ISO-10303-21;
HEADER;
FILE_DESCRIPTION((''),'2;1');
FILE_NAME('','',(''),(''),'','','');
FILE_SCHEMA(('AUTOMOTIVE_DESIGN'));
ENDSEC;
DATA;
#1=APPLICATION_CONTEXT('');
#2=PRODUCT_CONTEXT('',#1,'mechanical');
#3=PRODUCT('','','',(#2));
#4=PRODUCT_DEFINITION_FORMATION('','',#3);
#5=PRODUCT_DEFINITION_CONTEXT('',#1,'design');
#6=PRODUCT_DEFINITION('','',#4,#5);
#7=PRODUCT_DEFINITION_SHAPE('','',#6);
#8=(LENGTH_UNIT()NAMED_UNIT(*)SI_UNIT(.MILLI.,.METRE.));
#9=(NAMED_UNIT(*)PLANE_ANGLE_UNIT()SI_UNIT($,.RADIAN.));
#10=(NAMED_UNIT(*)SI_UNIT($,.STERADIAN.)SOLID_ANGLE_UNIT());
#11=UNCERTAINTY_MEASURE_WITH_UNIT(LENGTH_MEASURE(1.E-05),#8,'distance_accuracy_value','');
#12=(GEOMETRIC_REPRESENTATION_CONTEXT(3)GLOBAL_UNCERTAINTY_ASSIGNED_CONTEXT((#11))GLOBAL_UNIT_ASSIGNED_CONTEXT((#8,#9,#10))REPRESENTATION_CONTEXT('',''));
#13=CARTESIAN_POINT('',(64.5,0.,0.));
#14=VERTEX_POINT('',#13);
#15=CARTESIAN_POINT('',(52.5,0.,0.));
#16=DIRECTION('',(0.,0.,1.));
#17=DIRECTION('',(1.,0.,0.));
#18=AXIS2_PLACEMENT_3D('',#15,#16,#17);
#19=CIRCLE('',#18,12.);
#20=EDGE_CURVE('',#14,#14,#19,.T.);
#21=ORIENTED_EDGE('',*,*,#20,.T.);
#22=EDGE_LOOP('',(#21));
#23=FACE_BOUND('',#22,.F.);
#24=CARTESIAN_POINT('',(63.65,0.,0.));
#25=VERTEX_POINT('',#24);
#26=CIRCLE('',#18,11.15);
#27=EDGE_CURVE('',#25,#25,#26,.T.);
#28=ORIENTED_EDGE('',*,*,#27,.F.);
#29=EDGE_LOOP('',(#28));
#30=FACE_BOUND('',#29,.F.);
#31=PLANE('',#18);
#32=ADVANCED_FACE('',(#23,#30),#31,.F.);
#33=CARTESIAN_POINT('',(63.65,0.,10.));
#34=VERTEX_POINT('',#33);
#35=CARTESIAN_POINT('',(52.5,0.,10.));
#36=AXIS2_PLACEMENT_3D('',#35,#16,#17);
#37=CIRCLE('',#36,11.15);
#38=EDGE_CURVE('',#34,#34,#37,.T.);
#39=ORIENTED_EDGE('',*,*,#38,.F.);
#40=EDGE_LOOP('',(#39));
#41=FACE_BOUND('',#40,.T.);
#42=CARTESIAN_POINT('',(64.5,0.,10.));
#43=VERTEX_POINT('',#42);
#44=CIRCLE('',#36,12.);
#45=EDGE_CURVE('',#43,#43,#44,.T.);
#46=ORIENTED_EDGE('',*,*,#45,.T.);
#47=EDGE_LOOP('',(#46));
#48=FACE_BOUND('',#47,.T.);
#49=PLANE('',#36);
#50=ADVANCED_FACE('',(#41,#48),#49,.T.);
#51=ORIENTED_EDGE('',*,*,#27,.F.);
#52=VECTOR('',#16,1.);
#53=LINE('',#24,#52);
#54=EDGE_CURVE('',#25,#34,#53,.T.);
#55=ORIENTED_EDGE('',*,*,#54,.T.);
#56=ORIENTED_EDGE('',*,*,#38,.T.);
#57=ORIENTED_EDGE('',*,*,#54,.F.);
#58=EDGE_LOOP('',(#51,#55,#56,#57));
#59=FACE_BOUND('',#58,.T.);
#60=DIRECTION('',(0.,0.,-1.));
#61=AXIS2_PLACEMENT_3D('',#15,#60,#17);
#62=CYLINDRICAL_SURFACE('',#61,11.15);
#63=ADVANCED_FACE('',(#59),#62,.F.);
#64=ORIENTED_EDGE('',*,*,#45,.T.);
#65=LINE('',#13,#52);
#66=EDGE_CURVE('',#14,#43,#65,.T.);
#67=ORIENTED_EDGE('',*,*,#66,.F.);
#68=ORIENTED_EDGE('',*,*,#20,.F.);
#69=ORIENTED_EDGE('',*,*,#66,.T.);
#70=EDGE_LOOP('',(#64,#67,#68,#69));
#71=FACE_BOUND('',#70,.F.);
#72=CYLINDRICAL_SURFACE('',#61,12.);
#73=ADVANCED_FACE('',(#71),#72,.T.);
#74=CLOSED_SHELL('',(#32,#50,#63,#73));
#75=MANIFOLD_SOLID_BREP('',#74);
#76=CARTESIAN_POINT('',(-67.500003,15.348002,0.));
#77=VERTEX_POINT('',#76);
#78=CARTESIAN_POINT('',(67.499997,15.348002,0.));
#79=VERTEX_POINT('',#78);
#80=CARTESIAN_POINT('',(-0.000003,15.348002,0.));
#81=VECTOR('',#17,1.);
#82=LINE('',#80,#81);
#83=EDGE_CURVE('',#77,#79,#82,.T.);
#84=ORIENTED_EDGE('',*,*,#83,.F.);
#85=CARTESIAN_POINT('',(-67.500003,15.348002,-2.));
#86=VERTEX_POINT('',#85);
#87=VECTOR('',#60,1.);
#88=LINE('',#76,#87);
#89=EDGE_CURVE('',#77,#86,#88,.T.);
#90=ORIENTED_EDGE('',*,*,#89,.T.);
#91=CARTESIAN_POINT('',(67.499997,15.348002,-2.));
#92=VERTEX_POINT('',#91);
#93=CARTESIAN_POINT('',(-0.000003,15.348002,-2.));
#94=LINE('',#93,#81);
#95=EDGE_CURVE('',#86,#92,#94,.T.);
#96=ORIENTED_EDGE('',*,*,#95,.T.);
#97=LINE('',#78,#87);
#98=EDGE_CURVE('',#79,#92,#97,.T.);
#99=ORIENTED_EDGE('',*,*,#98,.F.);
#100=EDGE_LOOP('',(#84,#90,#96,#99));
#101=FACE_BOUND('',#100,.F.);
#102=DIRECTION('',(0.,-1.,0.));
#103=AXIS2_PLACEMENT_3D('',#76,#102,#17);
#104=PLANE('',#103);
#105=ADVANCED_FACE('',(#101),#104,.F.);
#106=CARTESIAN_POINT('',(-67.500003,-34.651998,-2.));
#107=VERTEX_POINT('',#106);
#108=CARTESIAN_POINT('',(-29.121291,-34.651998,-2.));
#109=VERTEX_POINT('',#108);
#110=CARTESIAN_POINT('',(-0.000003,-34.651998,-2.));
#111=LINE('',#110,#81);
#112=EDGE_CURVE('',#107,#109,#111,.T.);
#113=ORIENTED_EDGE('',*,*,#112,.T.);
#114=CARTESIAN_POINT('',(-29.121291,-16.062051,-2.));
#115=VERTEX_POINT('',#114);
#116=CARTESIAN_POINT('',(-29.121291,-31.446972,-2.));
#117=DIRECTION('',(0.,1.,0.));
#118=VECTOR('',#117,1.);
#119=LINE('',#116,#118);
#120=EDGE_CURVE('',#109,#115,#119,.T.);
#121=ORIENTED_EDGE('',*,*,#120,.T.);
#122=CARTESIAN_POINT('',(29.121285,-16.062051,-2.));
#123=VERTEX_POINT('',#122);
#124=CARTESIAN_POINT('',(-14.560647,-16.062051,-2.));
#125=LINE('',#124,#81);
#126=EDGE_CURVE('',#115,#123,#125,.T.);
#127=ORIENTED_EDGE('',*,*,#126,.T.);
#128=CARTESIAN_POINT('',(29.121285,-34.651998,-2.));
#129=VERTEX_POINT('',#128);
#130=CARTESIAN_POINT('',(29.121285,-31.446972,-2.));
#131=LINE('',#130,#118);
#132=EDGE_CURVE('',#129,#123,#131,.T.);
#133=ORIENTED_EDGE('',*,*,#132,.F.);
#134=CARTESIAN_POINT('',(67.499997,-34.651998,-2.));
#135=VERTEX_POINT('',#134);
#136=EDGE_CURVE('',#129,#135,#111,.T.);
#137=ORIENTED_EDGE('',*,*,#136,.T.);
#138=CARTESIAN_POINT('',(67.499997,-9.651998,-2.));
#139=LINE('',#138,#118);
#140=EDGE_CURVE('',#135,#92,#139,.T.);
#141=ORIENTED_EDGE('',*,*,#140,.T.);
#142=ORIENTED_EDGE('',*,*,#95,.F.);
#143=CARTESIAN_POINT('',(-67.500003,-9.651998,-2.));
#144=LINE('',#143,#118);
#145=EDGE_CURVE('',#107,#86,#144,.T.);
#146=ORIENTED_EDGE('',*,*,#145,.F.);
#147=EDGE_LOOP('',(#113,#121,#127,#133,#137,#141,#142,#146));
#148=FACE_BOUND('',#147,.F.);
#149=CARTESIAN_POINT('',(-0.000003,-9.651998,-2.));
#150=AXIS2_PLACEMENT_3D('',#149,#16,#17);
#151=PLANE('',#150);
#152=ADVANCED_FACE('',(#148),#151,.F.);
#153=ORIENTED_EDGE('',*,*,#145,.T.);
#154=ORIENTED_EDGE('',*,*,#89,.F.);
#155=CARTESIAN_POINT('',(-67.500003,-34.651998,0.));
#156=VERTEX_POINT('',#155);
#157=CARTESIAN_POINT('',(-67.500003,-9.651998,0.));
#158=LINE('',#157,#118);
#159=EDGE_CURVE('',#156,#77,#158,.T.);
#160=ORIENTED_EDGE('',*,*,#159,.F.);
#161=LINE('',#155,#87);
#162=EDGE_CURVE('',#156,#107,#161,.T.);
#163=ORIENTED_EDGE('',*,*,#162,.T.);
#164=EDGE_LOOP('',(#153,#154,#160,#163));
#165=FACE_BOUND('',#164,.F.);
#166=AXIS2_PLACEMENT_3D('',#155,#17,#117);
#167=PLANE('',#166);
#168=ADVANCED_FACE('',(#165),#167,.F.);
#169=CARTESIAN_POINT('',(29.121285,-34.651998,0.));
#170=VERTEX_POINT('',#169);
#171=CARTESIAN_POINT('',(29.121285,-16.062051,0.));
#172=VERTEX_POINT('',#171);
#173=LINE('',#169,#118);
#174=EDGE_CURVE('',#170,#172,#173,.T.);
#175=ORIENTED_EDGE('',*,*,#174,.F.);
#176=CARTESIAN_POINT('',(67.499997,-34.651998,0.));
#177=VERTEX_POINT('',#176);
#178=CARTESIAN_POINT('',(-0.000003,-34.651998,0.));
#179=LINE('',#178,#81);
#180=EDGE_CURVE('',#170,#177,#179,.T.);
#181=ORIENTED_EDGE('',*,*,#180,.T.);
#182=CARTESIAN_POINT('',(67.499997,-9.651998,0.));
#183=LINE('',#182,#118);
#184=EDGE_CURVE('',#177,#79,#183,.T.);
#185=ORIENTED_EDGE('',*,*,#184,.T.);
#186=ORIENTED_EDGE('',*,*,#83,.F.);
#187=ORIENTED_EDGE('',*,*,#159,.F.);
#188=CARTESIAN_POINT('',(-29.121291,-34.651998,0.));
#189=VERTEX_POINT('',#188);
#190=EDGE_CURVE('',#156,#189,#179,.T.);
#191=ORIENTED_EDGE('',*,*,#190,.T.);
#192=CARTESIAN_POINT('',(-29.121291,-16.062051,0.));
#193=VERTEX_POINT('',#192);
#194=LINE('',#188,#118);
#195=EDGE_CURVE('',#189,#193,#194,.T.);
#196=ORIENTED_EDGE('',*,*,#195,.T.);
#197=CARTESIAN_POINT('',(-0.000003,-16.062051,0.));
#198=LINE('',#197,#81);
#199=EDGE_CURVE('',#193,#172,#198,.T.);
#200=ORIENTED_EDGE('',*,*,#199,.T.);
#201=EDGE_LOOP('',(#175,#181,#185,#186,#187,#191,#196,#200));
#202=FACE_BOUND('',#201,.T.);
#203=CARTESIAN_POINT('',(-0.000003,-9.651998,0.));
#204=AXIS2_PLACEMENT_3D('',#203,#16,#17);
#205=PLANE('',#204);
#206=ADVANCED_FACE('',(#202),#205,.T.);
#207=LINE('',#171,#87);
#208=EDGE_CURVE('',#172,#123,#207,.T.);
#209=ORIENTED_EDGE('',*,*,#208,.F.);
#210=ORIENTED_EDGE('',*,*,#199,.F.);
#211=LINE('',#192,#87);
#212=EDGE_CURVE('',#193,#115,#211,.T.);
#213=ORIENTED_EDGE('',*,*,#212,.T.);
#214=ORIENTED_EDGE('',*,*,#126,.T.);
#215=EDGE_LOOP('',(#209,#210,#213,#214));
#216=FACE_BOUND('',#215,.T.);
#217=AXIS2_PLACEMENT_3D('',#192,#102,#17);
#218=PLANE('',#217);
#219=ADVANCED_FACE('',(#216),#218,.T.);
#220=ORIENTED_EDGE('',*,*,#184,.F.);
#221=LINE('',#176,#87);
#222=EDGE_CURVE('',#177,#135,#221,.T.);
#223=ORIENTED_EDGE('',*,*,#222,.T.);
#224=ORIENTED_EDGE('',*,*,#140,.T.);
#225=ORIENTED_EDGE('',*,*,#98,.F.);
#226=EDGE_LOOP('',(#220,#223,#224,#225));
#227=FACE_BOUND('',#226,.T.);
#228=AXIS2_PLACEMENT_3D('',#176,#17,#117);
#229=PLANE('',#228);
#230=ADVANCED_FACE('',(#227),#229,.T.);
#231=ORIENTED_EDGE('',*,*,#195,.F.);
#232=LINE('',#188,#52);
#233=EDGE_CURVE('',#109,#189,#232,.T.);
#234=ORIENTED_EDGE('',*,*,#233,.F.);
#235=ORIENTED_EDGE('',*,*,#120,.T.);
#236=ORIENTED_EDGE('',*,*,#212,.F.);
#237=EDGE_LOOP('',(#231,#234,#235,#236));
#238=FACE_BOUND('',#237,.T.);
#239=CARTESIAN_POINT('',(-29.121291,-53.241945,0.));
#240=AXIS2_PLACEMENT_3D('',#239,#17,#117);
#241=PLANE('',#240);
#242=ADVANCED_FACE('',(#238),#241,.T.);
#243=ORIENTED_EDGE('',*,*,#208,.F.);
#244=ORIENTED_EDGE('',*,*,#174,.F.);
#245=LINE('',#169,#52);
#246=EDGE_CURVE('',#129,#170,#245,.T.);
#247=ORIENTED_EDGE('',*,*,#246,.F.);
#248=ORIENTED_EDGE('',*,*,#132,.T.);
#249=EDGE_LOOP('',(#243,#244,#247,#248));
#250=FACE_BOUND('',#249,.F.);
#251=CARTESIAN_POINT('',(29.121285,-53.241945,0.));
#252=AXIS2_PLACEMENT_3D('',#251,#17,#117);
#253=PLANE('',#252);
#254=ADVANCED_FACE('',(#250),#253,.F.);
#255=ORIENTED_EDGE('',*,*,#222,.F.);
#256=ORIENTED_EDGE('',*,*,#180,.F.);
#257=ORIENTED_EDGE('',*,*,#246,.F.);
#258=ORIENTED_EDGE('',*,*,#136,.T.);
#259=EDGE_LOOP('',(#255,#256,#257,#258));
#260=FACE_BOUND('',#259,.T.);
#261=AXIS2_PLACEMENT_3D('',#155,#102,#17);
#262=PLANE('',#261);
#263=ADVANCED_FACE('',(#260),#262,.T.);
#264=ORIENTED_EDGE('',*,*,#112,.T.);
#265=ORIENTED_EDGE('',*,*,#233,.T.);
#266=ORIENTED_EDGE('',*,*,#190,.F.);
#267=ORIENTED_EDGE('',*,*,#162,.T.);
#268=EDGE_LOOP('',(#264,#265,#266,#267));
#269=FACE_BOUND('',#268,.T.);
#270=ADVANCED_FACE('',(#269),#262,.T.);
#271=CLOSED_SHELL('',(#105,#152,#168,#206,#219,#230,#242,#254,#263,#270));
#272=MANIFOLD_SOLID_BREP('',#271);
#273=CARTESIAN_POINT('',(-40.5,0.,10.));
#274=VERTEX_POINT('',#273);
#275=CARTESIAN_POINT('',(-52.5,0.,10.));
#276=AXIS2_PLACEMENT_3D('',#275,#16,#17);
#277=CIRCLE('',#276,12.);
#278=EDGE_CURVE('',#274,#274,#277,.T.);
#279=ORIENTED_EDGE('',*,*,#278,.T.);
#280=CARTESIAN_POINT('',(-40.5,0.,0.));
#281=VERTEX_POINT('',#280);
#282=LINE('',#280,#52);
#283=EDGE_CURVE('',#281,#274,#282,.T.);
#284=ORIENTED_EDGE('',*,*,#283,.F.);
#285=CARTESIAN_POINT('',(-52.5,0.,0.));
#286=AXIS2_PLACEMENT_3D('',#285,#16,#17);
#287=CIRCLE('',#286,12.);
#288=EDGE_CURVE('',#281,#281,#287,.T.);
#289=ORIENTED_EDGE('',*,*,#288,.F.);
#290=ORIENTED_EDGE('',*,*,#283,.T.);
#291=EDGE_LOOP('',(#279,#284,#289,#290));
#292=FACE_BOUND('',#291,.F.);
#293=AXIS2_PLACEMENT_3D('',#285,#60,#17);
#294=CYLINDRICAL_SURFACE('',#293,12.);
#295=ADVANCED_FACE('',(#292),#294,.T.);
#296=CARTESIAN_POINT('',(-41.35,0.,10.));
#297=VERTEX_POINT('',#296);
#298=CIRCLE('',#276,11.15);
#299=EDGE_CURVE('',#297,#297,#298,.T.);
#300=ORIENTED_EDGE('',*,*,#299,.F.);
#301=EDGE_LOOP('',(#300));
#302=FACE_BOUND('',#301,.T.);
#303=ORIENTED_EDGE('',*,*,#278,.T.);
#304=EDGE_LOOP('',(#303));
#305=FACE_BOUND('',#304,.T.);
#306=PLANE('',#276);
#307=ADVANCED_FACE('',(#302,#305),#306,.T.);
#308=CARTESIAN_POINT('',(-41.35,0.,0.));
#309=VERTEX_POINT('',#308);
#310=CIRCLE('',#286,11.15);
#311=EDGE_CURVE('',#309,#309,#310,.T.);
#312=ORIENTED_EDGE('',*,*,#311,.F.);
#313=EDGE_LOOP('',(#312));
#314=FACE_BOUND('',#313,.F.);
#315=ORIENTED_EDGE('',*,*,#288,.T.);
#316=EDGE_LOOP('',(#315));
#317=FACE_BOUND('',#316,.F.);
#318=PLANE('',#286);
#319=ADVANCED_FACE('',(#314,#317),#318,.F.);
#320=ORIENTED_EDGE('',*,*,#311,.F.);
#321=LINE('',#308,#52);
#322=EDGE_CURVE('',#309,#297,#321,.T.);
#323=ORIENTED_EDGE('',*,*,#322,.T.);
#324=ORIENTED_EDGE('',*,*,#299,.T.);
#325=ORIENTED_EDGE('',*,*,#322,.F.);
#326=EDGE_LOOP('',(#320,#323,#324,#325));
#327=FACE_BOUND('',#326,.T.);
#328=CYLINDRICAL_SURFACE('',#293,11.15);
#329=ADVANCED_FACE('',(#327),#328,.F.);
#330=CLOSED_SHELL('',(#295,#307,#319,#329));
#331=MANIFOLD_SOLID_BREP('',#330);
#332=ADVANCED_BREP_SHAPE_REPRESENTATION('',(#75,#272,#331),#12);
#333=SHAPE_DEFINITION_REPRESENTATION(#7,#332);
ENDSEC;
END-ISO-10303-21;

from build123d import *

# Parameters (mm, degrees)
F0_R     = 12
F0_R_2   = 11.15
F1_DEPTH = 10
F2_W     = 135
F2_H     = 50
F3_DEPTH = 2
F4_W     = 58.242576
F4_H     = 37.179895
F5_DEPTH = 25.4


with BuildPart() as f1:
    # F0 (on Top) → F1 (new body)
    with BuildSketch(Plane.XY):
        with Locations((-52.5, 0)):
            Circle(F0_R)
        with Locations((-52.5, 0)):
            Circle(F0_R_2, mode=Mode.SUBTRACT)
        with Locations((52.5, 0)):
            Circle(F0_R)
        with Locations((52.5, 0)):
            Circle(F0_R_2, mode=Mode.SUBTRACT)
    extrude(amount=F1_DEPTH)


with BuildPart() as f3:
    # F2 (on Top) → F3 (new body)
    with BuildSketch(Plane.XY):
        with Locations((-3e-06, -9.651998)):
            Rectangle(F2_W, F2_H)
    extrude(amount=-F3_DEPTH)

    # F4 (on face) → F5 (cut)
    with BuildSketch(Plane.XY):
        with Locations((-3e-06, -34.651998)):
            Rectangle(F4_W, F4_H)
    extrude(amount=-F5_DEPTH, mode=Mode.SUBTRACT)


solid = Compound([f1.part, f3.part])
